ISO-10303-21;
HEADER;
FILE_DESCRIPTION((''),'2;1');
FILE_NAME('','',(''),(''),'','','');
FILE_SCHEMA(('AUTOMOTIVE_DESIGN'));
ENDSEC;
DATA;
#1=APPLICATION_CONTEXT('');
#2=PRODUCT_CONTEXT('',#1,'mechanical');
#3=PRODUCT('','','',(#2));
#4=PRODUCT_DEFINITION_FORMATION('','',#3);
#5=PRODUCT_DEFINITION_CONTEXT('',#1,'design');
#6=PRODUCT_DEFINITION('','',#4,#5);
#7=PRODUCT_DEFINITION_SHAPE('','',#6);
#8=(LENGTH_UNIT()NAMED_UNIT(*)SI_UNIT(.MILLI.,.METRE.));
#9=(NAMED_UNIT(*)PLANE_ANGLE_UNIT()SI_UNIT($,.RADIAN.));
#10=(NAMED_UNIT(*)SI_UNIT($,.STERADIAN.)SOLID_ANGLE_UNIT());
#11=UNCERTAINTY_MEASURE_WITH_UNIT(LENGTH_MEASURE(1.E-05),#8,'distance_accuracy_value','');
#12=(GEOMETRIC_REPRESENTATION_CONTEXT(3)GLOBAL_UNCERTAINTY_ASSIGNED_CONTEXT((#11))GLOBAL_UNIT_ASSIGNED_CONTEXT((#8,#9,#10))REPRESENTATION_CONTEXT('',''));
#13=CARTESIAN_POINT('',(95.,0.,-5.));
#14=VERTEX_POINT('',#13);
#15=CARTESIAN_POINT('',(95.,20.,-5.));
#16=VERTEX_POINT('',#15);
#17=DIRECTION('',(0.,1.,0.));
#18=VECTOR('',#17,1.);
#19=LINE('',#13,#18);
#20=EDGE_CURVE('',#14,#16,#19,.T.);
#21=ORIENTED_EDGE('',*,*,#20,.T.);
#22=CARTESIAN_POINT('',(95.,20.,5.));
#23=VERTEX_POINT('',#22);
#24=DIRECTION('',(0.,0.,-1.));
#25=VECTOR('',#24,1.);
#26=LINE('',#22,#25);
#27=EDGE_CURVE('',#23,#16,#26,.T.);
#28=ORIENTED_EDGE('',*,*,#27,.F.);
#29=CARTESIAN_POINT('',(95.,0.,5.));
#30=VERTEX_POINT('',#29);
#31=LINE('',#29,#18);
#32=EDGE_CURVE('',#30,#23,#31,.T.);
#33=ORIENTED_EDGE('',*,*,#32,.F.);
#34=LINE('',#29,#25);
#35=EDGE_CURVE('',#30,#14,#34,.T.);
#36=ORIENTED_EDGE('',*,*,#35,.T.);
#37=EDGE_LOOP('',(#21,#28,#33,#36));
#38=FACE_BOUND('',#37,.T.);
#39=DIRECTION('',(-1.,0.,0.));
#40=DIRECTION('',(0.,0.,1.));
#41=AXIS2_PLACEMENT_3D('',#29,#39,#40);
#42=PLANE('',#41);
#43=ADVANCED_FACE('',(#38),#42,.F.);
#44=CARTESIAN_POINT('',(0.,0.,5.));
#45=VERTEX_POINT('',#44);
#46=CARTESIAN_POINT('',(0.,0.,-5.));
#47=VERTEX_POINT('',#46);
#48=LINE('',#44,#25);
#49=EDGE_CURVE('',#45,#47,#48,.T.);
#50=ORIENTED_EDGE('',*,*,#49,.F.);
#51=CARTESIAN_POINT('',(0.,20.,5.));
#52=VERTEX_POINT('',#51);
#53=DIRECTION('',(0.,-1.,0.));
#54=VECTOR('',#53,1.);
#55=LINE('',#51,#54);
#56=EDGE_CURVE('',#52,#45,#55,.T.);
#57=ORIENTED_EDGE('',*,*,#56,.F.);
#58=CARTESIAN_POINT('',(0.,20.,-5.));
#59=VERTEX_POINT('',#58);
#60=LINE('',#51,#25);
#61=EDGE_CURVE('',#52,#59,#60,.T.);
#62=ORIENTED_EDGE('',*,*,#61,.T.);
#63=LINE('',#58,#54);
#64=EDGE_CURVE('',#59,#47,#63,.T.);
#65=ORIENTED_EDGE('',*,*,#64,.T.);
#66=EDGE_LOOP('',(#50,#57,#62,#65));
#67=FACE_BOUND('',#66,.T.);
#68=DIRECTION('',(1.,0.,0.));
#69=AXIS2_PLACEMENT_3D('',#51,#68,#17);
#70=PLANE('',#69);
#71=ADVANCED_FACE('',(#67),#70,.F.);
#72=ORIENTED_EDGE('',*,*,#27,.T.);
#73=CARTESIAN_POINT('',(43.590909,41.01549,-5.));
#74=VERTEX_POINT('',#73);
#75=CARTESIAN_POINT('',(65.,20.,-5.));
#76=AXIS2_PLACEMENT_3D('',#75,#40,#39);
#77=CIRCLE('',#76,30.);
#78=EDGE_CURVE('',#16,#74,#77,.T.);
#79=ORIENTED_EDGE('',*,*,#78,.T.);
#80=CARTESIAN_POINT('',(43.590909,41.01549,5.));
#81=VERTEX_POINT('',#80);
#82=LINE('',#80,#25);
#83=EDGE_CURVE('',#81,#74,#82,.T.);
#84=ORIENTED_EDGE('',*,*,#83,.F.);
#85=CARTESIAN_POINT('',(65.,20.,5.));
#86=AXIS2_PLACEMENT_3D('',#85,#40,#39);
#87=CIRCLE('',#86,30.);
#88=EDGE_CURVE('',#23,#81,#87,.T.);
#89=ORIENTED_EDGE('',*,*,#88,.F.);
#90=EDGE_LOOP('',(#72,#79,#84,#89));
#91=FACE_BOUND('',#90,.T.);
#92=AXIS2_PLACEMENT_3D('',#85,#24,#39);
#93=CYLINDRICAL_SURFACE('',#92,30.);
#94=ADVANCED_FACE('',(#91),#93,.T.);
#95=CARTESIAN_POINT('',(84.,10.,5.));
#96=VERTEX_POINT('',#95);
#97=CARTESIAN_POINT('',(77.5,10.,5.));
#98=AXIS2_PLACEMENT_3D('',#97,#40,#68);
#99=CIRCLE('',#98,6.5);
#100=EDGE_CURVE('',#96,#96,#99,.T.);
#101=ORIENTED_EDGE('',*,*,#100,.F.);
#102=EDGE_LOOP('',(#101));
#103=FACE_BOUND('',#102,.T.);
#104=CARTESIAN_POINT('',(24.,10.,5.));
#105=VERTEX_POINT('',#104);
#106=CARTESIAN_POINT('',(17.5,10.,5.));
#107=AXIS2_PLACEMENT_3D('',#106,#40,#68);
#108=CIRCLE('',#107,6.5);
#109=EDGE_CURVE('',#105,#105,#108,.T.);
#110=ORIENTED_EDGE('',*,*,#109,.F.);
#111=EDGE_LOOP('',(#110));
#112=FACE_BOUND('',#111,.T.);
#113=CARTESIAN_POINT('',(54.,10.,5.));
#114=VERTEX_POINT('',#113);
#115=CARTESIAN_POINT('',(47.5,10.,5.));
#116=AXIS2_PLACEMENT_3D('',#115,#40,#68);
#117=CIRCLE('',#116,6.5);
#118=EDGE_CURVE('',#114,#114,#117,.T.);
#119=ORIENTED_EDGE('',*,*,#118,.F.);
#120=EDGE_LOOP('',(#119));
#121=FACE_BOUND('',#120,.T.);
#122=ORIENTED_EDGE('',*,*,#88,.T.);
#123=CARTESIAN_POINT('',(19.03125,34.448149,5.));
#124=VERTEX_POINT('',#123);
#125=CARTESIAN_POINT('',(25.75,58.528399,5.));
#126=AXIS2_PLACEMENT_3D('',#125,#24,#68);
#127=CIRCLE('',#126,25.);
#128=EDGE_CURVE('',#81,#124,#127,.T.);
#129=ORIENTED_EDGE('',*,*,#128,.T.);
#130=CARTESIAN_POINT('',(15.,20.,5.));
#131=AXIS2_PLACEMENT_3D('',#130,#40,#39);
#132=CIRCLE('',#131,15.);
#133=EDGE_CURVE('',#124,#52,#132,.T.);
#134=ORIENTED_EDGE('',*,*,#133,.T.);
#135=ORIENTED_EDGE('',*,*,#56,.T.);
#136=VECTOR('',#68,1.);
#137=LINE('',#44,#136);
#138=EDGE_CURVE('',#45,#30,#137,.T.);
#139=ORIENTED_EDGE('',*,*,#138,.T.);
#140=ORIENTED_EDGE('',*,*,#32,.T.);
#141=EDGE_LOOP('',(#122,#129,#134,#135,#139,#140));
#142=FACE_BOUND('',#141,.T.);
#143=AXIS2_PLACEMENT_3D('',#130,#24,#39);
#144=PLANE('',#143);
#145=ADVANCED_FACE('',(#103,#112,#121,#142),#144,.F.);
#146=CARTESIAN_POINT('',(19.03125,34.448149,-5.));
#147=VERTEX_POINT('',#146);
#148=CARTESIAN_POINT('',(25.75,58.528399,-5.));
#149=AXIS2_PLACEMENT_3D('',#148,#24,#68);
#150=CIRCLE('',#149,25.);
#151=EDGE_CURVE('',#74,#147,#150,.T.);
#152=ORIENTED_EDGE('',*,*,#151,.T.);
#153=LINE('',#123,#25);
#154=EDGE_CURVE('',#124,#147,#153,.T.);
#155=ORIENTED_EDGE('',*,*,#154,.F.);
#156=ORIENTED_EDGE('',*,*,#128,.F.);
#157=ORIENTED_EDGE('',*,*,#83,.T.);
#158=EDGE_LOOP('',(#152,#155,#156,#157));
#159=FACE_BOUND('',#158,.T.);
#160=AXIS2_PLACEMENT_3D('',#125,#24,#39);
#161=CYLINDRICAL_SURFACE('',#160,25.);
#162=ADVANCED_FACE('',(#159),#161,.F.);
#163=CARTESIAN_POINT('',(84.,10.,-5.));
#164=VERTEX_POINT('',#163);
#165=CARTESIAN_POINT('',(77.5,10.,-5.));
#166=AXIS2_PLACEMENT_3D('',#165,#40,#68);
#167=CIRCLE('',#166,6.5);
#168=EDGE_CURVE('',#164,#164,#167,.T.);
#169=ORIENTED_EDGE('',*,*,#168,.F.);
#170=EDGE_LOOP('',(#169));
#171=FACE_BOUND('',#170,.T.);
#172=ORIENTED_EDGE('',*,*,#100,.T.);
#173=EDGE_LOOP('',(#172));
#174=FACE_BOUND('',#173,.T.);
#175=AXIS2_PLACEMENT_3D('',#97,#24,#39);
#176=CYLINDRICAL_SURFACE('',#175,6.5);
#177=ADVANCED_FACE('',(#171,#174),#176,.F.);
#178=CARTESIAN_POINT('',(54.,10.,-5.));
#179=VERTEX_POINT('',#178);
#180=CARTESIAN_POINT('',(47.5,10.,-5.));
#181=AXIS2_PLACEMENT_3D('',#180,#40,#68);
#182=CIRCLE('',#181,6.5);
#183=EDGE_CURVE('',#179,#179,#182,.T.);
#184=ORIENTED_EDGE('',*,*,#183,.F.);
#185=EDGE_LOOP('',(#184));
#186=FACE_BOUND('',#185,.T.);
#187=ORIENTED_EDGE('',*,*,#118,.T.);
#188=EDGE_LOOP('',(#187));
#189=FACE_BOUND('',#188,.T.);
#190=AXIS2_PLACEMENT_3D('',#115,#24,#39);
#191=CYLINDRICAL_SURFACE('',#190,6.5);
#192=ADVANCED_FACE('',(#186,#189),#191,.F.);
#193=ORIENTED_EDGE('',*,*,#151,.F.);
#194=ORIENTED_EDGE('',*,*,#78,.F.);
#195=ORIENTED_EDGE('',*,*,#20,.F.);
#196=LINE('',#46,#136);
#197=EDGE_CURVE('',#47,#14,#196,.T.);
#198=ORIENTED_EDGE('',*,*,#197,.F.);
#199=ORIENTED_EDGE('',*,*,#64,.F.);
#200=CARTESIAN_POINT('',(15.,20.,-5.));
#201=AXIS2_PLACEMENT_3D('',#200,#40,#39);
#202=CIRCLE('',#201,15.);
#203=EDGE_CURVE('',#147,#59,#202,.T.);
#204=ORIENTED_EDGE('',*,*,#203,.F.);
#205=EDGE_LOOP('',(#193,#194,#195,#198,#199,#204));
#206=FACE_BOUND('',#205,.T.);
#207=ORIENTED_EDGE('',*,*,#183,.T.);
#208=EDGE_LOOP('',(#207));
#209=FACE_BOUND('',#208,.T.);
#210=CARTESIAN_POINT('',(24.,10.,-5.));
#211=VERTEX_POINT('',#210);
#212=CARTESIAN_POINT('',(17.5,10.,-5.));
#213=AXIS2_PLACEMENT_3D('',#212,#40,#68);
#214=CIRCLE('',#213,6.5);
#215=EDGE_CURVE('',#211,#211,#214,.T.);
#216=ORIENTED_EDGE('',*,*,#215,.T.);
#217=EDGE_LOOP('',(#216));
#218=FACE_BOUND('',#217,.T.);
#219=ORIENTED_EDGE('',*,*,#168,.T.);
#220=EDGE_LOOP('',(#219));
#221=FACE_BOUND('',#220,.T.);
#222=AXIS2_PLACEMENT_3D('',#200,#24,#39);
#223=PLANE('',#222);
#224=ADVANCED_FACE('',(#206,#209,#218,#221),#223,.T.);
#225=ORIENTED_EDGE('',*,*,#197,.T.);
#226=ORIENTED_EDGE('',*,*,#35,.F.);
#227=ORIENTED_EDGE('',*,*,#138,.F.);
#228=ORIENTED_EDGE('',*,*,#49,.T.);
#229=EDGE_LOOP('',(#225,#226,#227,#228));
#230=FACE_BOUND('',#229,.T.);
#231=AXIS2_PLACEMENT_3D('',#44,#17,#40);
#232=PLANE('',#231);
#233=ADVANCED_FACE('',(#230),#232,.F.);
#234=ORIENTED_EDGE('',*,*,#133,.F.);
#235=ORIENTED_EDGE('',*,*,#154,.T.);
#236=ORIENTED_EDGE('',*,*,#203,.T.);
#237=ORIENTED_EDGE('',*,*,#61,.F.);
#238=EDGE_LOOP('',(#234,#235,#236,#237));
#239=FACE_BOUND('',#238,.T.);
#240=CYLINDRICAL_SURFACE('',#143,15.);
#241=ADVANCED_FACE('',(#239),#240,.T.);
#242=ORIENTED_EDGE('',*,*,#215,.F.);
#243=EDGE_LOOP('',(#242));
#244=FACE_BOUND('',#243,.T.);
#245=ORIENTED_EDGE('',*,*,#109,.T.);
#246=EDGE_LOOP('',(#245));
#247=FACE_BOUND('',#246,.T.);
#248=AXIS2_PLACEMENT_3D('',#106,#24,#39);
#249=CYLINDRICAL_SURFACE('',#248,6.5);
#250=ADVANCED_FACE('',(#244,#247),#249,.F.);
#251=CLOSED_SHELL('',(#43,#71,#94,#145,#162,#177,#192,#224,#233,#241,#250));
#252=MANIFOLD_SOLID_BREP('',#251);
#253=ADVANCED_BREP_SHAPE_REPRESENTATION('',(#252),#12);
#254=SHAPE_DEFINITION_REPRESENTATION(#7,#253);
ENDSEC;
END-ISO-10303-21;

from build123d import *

# Parameters (mm, degrees)
SKETCH1_R           = 6.5
BOSS_EXTRUDE1_DEPTH = 5


with BuildPart() as part:
    # Sketch1 → Boss-Extrude1 (new body, symmetric)
    with BuildSketch(Plane.XY):
        with BuildLine():
            Line((0, 20), (0, 0))
            Line((0, 0), (95, 0))
            Line((95, 0), (95, 20))
            ThreePointArc((95, 20), (76.35181203, 47.769342153), (43.590909091, 41.015490155))
            ThreePointArc((43.590909091, 41.015490155), (32.208180594, 34.376961736), (19.03125, 34.448149481))
            ThreePointArc((19.03125, 34.448149481), (5.929960033, 31.947149242), (0, 20))
        make_face()
        with Locations((17.5, 10)):
            Circle(SKETCH1_R, mode=Mode.SUBTRACT)
        with Locations((47.5, 10)):
            Circle(SKETCH1_R, mode=Mode.SUBTRACT)
        with Locations((77.5, 10)):
            Circle(SKETCH1_R, mode=Mode.SUBTRACT)
    extrude(amount=BOSS_EXTRUDE1_DEPTH, both=True)


solid = part.part
